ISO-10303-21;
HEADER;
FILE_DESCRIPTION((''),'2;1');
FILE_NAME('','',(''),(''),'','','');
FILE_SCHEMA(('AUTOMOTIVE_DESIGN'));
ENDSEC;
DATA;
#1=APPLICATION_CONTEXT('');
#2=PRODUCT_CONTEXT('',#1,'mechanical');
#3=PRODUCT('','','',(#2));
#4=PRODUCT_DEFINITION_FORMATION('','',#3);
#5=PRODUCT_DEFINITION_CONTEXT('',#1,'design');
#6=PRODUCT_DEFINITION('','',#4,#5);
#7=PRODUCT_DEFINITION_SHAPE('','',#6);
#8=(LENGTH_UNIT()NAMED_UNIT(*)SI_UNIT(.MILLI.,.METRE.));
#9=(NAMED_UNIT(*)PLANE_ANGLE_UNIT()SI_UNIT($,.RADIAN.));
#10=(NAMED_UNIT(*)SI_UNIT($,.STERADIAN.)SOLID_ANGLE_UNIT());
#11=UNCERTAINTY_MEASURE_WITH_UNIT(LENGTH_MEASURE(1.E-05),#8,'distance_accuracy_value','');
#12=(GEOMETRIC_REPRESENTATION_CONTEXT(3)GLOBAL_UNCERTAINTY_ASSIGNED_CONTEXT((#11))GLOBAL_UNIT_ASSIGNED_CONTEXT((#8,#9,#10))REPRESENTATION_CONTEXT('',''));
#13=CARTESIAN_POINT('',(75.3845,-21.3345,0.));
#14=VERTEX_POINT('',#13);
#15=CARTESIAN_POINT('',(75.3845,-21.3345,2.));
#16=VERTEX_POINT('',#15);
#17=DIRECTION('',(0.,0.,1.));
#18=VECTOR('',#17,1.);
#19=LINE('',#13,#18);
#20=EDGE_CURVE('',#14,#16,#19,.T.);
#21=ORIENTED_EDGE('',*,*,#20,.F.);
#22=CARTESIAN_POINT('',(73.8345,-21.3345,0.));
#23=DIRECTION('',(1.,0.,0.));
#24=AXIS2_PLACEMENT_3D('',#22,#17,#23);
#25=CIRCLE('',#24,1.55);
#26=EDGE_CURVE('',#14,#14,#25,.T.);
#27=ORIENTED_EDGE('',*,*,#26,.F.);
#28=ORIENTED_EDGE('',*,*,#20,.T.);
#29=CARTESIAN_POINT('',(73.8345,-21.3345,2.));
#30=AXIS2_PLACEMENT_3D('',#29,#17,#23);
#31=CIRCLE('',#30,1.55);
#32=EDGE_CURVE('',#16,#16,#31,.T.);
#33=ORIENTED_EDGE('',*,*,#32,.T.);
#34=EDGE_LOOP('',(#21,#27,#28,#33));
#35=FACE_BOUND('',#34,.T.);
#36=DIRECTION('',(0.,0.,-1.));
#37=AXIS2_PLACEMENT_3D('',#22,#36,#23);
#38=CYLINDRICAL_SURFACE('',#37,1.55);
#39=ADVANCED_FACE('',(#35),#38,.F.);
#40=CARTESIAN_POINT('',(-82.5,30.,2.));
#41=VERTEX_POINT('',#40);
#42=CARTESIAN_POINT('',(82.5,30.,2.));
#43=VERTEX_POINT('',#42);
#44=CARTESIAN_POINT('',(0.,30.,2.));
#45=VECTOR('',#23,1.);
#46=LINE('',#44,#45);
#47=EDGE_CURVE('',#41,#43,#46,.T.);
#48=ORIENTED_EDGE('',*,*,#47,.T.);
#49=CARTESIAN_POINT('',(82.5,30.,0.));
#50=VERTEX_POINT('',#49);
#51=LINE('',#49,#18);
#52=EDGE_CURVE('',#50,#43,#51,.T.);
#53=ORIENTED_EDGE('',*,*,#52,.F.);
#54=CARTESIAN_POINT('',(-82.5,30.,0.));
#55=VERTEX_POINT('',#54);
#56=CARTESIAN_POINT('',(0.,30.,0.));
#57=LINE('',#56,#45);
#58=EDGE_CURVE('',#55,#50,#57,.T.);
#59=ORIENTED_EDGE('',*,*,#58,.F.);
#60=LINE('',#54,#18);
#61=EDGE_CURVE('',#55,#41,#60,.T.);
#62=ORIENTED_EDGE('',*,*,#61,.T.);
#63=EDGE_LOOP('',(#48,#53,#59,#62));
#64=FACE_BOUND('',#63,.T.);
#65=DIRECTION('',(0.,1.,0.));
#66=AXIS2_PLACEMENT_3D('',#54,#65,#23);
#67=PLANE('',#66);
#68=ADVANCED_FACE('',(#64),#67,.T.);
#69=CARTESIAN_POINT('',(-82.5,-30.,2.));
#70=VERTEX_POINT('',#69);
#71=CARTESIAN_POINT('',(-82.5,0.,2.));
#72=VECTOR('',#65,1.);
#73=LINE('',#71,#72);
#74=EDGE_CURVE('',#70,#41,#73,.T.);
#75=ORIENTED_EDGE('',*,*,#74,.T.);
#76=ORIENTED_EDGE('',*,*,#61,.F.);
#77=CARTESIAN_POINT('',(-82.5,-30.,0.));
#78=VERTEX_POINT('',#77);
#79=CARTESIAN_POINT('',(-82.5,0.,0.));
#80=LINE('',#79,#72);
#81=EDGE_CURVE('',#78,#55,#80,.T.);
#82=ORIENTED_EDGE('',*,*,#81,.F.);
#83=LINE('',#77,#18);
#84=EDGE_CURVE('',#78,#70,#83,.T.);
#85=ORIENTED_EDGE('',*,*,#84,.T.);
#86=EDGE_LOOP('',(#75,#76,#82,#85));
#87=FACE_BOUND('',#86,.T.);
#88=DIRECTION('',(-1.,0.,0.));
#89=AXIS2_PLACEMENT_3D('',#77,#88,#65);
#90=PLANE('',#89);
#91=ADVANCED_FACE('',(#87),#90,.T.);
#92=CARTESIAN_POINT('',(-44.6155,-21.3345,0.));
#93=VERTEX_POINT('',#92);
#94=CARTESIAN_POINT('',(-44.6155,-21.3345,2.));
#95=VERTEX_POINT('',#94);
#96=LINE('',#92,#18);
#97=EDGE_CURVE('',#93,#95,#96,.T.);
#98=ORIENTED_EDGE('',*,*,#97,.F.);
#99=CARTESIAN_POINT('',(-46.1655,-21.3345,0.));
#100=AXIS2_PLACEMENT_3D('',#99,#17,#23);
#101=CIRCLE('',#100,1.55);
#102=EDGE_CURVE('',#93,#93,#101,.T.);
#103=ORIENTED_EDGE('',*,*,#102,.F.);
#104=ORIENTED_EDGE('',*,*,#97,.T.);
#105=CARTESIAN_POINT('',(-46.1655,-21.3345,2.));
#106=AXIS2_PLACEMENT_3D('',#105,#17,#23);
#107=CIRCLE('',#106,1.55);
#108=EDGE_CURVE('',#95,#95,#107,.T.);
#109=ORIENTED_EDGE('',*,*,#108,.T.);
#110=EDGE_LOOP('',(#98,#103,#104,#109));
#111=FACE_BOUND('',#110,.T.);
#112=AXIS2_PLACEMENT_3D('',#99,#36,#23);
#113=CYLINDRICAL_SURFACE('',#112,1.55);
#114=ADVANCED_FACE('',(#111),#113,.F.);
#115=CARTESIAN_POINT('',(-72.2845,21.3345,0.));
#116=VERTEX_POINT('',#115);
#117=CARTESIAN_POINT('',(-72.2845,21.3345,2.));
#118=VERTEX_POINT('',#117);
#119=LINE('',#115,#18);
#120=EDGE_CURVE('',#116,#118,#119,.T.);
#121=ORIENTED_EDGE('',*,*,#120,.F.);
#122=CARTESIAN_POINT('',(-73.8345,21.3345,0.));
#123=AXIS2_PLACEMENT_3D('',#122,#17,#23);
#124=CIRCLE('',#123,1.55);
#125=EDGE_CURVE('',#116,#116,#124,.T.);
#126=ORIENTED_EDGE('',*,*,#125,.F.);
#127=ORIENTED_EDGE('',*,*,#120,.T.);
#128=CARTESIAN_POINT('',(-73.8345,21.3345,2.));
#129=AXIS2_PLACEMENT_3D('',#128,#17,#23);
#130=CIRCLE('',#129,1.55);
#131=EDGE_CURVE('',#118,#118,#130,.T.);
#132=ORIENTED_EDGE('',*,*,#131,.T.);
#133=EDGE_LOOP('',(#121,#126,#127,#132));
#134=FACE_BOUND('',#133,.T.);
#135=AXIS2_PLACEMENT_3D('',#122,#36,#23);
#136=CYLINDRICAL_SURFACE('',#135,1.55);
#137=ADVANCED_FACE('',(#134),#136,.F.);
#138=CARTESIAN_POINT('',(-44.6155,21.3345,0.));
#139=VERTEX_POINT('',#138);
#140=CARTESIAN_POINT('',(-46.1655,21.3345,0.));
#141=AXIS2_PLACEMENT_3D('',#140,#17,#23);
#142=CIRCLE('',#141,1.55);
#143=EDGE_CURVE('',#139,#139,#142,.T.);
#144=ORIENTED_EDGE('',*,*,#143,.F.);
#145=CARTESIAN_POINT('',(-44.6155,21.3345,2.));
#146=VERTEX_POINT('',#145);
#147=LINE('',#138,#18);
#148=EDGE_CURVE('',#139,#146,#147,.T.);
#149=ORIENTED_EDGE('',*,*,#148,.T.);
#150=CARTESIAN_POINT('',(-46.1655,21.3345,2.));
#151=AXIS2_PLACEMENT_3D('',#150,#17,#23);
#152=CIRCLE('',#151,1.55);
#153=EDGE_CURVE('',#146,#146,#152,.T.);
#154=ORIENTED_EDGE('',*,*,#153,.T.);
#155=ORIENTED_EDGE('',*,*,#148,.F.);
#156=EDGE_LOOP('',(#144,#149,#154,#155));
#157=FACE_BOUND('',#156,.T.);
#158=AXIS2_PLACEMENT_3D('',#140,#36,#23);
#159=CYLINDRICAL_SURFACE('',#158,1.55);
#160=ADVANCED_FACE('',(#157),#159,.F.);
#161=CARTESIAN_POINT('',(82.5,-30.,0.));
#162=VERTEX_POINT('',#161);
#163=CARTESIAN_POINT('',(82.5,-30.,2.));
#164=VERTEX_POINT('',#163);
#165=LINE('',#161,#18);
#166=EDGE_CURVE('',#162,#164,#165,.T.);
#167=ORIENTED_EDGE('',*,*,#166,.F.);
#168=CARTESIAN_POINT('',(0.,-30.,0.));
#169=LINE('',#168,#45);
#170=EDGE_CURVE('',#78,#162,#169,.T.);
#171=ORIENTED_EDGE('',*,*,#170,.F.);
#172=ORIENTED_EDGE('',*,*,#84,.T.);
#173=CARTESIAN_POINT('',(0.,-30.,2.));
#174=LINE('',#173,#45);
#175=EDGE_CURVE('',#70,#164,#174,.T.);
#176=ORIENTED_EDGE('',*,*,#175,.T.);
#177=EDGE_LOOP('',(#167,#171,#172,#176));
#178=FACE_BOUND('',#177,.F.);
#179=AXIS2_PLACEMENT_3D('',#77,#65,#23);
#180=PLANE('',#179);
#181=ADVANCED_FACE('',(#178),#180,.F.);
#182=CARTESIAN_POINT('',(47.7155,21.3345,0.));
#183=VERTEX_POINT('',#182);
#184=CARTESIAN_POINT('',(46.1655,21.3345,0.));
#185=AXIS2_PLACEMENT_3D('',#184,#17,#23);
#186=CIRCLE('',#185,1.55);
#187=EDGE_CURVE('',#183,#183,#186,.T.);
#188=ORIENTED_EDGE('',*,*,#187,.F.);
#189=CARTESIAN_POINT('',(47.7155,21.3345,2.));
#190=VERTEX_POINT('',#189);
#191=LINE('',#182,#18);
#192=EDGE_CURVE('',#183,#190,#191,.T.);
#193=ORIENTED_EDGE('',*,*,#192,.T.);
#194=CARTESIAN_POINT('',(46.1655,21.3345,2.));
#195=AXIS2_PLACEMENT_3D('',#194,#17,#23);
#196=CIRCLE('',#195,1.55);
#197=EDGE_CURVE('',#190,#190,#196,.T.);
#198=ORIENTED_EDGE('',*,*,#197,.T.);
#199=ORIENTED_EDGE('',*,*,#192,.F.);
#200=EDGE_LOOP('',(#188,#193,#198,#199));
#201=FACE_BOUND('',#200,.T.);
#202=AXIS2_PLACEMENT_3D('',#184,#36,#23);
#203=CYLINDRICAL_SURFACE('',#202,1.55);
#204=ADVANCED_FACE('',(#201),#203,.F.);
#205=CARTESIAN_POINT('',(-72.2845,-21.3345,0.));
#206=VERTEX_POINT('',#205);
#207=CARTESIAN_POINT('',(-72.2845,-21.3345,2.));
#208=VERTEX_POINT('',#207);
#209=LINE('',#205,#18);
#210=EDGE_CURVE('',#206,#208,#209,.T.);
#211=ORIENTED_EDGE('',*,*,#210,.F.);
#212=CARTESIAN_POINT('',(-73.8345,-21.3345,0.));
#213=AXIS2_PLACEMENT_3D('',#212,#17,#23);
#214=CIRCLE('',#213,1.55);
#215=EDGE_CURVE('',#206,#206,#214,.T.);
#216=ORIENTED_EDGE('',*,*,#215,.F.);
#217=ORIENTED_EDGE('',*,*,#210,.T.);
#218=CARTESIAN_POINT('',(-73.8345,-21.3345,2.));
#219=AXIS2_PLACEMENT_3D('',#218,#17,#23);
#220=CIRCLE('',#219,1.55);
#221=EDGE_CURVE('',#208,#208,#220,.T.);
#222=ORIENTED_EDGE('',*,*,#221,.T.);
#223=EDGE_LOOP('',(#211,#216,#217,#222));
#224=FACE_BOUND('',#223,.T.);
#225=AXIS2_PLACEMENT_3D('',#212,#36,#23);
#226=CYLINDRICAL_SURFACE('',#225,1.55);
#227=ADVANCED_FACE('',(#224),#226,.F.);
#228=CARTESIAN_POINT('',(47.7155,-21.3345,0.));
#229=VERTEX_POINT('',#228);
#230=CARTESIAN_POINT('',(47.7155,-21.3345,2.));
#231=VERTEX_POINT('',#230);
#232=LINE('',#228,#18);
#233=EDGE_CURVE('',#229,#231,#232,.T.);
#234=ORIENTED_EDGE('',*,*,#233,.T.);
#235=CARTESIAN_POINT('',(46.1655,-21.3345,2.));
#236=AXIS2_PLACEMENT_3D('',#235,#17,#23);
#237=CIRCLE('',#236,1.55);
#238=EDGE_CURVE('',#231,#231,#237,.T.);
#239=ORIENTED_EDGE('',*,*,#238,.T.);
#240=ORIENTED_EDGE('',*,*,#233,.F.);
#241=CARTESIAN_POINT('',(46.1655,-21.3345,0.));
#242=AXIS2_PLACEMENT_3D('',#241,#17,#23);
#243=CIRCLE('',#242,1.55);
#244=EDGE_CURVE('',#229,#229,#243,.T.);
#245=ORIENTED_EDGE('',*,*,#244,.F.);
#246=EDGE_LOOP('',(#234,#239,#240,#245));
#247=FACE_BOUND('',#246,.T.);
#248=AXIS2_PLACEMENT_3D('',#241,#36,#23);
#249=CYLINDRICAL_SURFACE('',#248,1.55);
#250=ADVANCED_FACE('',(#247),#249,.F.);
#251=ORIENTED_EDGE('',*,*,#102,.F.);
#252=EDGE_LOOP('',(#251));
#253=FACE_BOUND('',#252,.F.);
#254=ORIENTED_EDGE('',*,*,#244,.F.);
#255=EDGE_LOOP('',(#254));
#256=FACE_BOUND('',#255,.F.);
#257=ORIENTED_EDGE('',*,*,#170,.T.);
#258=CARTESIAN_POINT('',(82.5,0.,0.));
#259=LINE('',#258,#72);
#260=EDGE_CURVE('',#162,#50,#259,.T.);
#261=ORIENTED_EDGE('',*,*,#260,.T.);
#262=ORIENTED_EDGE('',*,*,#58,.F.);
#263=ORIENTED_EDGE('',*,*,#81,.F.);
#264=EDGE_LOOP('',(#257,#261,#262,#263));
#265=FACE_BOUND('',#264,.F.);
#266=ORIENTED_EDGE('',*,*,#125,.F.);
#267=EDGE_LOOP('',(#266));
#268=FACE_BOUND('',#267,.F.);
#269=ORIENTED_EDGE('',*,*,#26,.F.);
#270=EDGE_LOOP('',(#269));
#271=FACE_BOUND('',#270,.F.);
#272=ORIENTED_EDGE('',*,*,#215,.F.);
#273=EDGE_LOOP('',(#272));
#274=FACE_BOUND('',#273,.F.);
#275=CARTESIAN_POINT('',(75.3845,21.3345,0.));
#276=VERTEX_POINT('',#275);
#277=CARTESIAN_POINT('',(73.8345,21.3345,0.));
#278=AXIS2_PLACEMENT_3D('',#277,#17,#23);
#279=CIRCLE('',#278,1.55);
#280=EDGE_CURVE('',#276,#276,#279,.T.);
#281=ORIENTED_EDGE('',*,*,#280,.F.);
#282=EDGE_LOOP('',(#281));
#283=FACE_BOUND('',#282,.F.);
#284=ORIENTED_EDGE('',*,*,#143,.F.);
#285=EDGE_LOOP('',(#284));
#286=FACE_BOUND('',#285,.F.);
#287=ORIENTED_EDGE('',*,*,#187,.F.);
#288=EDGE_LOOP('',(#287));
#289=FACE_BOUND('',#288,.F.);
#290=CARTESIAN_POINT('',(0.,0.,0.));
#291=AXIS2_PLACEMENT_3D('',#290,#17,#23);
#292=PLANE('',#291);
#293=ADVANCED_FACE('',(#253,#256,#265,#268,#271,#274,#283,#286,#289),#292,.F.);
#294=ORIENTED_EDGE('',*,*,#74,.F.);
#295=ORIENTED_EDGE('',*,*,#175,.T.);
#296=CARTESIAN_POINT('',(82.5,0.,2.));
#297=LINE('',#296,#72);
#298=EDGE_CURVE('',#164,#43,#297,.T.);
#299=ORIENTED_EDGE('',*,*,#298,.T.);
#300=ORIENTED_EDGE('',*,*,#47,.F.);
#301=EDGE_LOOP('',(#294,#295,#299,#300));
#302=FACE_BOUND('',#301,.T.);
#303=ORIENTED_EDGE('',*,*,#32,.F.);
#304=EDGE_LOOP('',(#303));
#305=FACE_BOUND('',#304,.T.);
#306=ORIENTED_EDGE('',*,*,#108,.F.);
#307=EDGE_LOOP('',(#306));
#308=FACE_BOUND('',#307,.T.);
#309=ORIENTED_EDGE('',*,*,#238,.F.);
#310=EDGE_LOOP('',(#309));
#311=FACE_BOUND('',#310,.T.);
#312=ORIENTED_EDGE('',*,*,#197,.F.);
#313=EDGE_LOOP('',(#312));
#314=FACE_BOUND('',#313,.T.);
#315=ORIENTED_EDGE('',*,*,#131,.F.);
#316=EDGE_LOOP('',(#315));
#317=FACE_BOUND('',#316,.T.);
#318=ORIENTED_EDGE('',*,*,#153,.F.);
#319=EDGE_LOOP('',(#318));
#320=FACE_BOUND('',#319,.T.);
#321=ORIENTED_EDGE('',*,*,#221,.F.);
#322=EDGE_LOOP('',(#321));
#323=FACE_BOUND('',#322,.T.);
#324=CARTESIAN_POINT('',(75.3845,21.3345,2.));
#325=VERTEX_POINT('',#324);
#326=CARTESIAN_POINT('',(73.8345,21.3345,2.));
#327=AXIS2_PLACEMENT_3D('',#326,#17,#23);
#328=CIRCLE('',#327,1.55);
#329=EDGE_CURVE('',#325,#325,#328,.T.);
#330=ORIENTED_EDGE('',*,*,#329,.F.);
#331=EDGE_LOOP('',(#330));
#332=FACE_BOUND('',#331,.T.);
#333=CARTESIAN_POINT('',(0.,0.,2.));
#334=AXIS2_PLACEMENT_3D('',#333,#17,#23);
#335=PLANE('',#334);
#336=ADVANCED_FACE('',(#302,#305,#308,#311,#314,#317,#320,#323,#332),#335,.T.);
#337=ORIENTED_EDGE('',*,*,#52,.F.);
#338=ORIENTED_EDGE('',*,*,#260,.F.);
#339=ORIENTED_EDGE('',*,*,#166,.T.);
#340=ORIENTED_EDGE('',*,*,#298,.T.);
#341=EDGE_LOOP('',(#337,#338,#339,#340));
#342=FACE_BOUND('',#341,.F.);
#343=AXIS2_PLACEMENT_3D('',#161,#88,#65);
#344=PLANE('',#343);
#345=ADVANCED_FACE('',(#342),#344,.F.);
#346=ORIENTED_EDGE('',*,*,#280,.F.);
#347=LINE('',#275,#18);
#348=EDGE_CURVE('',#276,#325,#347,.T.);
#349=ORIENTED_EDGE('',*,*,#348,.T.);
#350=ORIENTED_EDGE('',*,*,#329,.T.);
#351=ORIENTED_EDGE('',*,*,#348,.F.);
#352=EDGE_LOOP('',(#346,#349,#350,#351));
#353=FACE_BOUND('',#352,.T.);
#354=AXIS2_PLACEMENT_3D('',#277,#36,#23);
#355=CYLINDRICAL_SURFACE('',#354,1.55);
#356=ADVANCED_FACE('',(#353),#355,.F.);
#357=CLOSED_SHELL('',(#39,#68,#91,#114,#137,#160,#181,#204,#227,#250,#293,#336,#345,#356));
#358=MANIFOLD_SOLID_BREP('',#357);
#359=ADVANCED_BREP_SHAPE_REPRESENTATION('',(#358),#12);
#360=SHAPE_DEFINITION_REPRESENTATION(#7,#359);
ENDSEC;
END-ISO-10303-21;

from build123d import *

# Parameters (mm, degrees)
F0_W     = 165
F0_H     = 60
F0_R     = 1.55
F1_DEPTH = 2


with BuildPart() as f1:
    # F0 (on Top) → F1 (new body)
    with BuildSketch(Plane.XY):
        Rectangle(F0_W, F0_H)
        with Locations((-73.8345, -21.3345)):
            Circle(F0_R, mode=Mode.SUBTRACT)
        with Locations((-46.1655, -21.3345)):
            Circle(F0_R, mode=Mode.SUBTRACT)
        with Locations((46.1655, -21.3345)):
            Circle(F0_R, mode=Mode.SUBTRACT)
        with Locations((73.8345, -21.3345)):
            Circle(F0_R, mode=Mode.SUBTRACT)
        with Locations((-73.8345, 21.3345)):
            Circle(F0_R, mode=Mode.SUBTRACT)
        with Locations((-46.1655, 21.3345)):
            Circle(F0_R, mode=Mode.SUBTRACT)
        with Locations((46.1655, 21.3345)):
            Circle(F0_R, mode=Mode.SUBTRACT)
        with Locations((73.8345, 21.3345)):
            Circle(F0_R, mode=Mode.SUBTRACT)
    extrude(amount=F1_DEPTH)


solid = f1.part
